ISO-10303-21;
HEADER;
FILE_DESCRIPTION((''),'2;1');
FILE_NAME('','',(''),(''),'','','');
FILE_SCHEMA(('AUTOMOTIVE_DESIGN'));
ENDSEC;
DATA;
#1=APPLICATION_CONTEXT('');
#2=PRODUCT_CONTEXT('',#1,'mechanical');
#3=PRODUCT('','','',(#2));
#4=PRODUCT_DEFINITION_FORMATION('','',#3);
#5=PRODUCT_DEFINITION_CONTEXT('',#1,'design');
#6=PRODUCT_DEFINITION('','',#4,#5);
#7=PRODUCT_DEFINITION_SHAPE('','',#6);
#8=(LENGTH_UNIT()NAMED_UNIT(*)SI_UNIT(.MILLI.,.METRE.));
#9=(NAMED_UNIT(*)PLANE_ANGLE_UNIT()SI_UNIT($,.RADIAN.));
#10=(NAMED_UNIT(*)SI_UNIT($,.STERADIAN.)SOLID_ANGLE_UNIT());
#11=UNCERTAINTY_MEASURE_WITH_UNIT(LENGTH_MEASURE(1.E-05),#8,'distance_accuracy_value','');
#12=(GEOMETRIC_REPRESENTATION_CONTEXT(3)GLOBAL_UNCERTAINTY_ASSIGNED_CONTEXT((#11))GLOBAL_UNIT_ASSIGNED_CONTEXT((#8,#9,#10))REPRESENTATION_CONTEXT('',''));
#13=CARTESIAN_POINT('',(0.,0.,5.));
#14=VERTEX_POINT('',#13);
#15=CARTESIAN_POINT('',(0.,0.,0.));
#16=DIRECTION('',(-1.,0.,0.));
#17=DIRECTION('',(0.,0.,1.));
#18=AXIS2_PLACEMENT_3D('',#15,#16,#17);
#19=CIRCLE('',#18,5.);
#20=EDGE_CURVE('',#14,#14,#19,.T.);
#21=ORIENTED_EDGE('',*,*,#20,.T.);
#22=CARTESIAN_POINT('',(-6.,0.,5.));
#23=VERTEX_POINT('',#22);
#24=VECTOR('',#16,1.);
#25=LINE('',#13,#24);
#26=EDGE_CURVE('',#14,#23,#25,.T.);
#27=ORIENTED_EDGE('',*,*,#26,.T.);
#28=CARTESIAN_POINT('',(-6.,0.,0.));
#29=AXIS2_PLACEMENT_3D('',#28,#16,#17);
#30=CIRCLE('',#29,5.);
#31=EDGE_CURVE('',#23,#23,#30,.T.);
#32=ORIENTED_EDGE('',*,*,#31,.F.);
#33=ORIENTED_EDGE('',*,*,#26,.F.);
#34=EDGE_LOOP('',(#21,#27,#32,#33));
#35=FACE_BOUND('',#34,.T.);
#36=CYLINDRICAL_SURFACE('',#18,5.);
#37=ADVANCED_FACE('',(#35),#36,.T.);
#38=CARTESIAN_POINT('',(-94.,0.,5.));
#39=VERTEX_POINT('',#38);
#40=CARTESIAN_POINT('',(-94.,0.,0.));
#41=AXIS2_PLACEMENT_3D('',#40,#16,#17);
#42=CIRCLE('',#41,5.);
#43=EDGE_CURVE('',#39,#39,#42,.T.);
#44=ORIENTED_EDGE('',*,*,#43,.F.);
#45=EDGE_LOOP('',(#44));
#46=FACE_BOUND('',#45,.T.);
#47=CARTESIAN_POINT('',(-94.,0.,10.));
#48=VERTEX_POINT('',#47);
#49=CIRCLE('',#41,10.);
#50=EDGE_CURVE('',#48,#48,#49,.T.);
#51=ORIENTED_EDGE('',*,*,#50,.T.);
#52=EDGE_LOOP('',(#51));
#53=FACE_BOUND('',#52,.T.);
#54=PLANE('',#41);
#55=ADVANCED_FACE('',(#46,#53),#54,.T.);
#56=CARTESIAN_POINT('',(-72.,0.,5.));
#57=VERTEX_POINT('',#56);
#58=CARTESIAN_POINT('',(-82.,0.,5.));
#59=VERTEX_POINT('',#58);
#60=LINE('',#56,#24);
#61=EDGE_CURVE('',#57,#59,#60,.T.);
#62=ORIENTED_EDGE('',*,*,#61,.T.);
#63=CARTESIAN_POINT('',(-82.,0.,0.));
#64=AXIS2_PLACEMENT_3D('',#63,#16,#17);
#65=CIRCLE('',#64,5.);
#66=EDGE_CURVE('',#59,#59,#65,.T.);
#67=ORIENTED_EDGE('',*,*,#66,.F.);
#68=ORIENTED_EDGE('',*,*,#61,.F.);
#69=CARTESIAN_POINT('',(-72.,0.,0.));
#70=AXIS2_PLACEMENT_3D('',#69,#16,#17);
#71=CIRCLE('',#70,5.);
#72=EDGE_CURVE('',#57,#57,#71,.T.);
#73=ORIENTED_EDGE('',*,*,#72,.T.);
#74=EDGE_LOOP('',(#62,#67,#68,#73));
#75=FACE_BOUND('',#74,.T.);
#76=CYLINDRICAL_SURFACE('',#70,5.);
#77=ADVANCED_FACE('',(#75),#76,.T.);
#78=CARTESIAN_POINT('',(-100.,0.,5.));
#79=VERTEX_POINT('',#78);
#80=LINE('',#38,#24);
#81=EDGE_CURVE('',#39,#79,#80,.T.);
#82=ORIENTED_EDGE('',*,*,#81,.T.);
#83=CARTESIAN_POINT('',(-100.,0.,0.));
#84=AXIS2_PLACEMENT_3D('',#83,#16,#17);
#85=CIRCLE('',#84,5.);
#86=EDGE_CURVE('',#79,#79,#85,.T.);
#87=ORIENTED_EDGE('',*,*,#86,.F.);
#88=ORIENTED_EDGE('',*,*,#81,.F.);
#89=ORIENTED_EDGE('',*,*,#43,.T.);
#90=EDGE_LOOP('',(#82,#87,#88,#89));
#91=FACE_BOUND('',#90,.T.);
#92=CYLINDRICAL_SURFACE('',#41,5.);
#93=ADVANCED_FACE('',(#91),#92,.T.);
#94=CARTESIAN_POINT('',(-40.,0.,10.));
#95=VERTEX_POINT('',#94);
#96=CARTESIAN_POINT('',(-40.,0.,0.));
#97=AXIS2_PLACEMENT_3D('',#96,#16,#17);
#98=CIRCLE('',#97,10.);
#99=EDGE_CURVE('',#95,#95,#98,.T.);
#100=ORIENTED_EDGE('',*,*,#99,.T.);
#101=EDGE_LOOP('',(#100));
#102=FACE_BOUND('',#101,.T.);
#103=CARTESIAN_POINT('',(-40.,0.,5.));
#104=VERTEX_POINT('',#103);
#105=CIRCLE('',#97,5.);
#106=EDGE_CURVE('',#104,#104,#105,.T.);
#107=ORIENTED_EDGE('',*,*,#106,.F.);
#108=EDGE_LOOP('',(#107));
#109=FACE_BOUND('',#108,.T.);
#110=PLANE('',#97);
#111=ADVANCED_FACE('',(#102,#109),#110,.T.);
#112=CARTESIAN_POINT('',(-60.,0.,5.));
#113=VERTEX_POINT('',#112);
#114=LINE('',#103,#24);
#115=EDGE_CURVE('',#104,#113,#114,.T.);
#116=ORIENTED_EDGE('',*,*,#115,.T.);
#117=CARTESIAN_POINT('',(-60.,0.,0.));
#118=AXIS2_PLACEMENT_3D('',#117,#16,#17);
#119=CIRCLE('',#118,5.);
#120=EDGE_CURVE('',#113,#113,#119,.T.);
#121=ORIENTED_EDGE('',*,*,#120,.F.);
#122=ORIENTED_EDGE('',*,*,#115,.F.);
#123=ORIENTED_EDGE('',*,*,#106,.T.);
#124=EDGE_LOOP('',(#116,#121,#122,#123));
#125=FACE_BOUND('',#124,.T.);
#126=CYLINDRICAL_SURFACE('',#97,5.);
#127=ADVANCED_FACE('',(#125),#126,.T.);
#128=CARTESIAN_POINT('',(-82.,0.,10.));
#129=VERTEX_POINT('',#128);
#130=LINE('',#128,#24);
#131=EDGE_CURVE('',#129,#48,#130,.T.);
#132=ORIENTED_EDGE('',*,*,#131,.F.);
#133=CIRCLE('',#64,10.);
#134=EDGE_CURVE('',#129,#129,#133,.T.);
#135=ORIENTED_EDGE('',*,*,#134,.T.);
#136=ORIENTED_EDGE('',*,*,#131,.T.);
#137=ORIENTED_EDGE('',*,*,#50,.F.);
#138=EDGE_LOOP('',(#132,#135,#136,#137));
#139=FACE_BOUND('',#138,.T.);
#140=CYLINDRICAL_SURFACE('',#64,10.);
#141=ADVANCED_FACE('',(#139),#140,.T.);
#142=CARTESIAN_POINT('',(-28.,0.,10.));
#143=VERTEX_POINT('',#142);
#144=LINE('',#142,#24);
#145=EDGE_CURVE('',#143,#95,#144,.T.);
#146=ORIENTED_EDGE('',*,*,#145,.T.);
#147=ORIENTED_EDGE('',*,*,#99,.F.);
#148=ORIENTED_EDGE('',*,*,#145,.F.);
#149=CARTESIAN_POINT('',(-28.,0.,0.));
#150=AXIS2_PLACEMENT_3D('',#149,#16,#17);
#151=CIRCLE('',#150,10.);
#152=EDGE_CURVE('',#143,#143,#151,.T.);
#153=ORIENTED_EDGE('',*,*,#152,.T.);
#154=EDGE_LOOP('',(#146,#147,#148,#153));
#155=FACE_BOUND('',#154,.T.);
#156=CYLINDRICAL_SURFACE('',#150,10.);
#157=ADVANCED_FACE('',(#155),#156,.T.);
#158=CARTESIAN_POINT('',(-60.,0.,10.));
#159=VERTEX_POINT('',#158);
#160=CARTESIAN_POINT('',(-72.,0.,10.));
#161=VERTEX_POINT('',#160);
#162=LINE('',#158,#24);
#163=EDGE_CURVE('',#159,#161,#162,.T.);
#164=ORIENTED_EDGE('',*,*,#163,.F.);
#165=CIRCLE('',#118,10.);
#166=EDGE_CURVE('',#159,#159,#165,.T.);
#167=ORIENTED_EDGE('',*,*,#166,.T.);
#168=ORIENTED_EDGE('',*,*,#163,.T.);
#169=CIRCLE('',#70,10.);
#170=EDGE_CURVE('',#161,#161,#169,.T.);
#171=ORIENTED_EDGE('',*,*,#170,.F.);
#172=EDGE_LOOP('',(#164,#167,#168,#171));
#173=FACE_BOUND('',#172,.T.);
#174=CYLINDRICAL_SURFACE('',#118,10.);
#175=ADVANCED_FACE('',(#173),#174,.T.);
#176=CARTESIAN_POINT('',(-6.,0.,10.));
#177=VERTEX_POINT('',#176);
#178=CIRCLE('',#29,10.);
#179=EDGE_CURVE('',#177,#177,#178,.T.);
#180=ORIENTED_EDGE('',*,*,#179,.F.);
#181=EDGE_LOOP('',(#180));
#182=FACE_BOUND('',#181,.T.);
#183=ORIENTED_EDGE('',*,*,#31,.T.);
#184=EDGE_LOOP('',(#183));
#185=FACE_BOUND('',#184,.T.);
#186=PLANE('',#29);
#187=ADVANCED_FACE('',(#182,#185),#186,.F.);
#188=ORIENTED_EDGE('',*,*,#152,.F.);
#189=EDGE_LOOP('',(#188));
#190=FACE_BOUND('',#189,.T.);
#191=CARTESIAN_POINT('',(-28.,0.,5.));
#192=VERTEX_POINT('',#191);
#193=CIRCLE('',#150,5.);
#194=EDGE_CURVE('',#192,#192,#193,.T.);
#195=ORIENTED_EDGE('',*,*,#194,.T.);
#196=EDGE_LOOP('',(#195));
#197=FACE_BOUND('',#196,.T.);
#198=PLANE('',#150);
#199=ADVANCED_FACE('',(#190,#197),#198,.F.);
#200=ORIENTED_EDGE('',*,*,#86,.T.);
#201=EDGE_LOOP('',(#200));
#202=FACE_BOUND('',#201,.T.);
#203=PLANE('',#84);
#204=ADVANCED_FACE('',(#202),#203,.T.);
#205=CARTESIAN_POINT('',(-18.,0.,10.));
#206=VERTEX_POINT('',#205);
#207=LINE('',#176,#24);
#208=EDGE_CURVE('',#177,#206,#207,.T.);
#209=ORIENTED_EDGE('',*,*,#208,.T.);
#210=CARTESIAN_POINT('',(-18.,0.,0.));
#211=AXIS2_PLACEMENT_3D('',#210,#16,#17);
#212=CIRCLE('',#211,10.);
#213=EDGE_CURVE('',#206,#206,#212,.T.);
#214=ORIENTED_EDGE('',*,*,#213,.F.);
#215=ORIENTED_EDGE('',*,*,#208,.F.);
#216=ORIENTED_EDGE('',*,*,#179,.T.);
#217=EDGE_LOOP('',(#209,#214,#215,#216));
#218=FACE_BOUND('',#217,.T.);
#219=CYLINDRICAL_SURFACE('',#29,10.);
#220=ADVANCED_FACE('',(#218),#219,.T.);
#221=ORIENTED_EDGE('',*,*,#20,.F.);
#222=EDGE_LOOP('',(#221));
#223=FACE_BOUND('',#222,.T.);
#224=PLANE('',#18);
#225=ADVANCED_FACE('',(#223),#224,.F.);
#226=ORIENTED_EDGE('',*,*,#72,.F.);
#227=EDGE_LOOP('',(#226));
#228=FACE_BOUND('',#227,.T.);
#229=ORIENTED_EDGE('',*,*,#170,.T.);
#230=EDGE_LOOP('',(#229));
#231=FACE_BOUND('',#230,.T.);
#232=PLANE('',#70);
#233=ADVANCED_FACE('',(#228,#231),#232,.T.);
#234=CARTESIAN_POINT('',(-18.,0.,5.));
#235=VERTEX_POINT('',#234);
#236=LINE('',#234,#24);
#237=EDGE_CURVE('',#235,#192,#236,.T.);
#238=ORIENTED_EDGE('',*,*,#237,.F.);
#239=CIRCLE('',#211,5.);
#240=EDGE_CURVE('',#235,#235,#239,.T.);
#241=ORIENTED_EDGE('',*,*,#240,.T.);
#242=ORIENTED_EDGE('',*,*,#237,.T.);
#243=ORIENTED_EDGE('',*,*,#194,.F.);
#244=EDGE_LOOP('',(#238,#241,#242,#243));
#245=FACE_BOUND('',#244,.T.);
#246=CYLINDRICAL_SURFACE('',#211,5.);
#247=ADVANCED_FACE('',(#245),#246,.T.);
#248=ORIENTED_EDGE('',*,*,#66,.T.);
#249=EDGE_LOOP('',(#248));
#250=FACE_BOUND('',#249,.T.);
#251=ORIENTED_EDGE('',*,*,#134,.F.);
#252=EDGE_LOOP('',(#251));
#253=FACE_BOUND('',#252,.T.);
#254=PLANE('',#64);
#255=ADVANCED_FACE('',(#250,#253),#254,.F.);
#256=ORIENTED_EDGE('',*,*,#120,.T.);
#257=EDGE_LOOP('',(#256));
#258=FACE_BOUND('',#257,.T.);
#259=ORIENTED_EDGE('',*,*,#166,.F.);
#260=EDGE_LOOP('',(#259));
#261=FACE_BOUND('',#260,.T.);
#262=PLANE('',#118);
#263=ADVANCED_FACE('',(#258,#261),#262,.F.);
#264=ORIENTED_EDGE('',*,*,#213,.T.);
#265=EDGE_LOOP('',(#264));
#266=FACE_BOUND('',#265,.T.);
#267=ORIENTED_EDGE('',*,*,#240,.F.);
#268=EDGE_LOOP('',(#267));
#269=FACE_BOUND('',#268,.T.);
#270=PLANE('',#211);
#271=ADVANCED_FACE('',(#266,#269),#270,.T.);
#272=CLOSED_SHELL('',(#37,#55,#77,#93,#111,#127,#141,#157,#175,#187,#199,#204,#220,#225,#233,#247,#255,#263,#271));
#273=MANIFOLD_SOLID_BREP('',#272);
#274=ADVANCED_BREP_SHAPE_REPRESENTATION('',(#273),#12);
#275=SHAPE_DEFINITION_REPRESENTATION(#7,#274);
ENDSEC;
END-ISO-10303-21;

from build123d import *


with BuildPart() as f1:
    # F0 (on Front) → F1 (revolve)
    with BuildSketch(Plane.XZ):
        Polygon((-100, 0), (0, 0), (0, 5), (-6, 5), (-6, 10), (-18, 10), (-18, 5), (-28, 5), (-28, 10), (-40, 10), (-40, 5), (-60, 5), (-60, 10), (-72, 10), (-72, 5), (-82, 5), (-82, 10), (-94, 10), (-94, 5), (-100, 5), align=None)
    revolve(axis=Axis((-44.310086, 0, 0), (-1, 0, 0)))


solid = f1.part
